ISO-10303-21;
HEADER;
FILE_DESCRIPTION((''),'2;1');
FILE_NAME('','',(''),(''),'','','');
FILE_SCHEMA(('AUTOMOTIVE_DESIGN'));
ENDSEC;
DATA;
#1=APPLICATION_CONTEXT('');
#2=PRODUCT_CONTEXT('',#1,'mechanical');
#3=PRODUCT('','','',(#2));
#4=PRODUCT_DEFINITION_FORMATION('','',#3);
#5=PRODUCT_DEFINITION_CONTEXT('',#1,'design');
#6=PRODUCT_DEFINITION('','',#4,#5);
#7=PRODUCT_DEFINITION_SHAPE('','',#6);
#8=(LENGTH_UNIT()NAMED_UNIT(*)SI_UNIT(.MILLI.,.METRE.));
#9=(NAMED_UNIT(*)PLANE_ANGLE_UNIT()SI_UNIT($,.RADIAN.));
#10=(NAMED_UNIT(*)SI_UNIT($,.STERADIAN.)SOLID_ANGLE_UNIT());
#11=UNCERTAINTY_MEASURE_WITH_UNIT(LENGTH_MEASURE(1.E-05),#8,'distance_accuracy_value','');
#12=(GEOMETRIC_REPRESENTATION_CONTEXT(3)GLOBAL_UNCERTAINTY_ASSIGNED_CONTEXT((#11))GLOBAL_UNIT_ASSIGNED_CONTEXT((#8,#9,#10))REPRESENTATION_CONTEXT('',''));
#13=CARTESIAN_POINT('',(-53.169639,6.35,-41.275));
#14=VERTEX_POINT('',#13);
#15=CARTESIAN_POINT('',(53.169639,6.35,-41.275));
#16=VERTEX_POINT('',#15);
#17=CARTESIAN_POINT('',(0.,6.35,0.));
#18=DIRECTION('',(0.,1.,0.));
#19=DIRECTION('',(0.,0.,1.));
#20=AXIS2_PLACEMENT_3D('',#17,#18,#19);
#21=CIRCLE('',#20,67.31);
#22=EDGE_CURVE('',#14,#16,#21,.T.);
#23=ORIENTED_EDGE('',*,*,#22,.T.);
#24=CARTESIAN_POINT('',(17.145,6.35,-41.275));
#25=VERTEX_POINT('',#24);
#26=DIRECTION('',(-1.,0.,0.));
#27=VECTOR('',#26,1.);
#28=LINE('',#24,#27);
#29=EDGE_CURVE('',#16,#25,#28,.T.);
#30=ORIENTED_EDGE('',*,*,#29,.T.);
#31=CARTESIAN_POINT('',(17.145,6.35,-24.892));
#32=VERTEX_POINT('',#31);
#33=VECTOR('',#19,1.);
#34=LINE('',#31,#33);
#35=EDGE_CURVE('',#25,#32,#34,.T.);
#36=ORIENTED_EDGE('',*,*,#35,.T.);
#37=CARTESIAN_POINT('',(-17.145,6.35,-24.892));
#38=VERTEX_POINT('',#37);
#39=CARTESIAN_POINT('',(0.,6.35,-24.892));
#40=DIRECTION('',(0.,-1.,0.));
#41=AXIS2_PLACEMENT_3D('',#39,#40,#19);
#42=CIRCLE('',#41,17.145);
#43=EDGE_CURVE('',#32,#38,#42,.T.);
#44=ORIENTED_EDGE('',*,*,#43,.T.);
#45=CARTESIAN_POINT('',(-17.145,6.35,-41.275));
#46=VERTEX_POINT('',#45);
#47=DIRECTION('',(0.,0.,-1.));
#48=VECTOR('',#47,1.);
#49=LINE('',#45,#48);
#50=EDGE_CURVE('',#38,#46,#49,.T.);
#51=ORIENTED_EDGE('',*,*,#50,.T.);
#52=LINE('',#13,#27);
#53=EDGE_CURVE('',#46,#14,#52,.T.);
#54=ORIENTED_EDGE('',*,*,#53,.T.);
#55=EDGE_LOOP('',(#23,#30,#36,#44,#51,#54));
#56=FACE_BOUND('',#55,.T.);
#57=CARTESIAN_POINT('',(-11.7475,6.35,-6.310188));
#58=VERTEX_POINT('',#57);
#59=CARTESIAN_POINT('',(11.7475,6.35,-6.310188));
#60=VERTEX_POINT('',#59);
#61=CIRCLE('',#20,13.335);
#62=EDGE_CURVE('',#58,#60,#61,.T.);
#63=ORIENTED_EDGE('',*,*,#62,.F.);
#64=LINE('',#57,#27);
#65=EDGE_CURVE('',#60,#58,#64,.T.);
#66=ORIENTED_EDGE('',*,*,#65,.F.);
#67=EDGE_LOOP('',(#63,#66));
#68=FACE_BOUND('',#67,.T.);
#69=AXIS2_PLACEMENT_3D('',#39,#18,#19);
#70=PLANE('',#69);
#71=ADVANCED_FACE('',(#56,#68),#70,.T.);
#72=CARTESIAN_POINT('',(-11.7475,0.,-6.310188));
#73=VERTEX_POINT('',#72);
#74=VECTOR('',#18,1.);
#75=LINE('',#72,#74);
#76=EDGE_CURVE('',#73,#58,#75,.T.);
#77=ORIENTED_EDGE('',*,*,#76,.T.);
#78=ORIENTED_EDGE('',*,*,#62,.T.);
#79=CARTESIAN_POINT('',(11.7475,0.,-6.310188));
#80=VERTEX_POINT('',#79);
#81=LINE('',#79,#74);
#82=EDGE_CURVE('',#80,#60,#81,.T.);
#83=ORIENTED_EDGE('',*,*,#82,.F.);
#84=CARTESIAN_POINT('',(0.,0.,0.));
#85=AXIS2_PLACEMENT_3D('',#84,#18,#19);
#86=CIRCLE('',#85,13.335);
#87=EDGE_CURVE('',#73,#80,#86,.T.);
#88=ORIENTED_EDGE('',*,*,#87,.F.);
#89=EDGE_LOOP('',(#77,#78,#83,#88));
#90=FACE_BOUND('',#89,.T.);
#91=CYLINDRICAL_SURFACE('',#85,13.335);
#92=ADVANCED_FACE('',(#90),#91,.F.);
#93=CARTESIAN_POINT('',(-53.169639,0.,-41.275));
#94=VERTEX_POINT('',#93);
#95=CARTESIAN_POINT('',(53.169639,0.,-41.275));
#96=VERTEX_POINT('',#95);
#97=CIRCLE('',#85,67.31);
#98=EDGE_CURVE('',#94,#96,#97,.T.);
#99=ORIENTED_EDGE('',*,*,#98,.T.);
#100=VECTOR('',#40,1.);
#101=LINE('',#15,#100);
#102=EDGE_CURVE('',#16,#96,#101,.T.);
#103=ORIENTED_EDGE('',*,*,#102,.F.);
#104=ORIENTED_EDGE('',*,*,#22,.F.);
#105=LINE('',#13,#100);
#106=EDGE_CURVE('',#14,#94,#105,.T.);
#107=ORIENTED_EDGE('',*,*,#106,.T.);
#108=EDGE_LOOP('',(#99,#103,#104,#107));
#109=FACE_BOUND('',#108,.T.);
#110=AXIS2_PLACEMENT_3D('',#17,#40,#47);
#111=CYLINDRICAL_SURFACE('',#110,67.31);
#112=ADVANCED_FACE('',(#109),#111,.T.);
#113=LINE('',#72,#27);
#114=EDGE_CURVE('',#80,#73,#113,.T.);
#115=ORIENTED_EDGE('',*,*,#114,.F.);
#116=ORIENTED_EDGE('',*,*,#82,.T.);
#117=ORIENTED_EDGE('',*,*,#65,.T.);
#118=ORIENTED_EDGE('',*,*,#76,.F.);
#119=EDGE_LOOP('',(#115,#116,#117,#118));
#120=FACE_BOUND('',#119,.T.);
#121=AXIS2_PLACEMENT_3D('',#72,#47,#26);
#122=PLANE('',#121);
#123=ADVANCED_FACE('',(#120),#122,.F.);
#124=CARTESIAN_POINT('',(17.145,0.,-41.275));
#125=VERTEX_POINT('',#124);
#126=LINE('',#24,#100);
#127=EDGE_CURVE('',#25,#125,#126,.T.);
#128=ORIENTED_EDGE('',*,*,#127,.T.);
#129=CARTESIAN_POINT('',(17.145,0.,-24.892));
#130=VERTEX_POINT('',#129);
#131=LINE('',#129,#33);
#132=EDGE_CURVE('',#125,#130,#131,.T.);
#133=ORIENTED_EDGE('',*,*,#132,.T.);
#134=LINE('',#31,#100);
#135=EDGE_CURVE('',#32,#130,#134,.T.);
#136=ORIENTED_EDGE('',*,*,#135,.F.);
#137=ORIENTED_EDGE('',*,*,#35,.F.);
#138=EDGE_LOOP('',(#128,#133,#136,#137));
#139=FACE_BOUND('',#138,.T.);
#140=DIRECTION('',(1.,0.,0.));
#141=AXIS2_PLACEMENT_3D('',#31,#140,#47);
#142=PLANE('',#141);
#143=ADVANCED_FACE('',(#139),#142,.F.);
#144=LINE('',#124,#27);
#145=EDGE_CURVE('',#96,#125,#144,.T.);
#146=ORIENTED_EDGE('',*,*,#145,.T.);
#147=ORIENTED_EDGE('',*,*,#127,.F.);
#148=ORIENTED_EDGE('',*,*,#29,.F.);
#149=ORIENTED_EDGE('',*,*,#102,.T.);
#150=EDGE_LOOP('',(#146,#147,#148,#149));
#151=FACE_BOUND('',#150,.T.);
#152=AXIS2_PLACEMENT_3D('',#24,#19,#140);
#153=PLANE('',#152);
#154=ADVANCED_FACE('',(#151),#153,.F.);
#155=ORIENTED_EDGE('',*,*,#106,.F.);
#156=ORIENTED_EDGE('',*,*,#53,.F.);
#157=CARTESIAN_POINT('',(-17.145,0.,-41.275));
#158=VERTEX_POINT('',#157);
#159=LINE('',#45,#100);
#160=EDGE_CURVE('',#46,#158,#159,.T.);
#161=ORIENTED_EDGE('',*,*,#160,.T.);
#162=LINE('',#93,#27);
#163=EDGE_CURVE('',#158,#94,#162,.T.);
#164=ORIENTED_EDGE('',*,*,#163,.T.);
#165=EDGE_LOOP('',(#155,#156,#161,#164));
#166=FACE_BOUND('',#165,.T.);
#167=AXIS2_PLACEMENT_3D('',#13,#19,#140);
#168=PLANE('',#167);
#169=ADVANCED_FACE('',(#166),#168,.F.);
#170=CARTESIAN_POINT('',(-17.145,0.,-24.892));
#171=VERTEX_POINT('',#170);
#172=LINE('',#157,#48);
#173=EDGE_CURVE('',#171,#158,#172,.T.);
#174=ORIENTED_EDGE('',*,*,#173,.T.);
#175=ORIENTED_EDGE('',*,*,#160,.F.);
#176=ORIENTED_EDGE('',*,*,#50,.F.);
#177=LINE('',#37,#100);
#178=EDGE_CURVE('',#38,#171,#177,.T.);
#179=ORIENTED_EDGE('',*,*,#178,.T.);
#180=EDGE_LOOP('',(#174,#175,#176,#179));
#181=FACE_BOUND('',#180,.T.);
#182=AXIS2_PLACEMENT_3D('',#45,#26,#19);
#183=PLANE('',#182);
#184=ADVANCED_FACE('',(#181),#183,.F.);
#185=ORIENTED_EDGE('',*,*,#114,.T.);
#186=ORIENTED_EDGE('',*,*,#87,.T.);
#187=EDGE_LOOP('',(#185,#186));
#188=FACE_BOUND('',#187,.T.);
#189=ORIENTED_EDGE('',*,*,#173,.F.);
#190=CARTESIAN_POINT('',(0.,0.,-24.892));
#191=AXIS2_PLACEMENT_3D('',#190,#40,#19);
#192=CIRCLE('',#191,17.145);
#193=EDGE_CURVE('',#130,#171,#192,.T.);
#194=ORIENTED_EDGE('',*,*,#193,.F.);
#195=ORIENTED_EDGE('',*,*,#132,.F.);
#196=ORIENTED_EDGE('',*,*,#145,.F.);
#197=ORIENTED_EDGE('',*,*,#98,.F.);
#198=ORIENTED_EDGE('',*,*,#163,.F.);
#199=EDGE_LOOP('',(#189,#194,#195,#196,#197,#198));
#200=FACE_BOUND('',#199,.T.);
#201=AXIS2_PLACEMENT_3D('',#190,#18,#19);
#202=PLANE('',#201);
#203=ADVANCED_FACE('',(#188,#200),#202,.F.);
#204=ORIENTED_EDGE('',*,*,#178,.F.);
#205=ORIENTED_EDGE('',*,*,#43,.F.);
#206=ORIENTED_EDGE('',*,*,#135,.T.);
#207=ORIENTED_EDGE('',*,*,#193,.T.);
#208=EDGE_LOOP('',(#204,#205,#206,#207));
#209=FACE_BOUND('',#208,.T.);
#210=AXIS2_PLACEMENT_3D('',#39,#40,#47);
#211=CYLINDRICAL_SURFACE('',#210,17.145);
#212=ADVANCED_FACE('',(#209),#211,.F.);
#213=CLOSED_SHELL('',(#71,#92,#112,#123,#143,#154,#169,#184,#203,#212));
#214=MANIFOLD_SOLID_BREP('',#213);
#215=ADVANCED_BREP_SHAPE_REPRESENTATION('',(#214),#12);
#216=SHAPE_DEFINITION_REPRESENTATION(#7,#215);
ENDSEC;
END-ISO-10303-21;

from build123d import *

# Parameters (mm, degrees)
BOSS_EXTRUDE1_DEPTH = 6.35
CUT_EXTRUDE1_DEPTH  = 96.402278275


with BuildPart() as part:
    # Sketch2 → Boss-Extrude1 (new body)
    with BuildSketch(Plane(origin=(0, 0, 0), x_dir=(1, 0, 0), z_dir=(0, 1, 0))):
        with BuildLine():
            Line((-53.169638658, 41.275), (-17.145, 41.275))
            Line((-17.145, 41.275), (-17.145, 24.892))
            ThreePointArc((-17.145, 24.892), (0, 7.747), (17.145, 24.892))
            Line((17.145, 24.892), (17.145, 41.275))
            Line((17.145, 41.275), (53.169638658, 41.275))
            ThreePointArc((53.169638658, 41.275), (0, -67.31), (-53.169638658, 41.275))
        make_face()
    extrude(amount=BOSS_EXTRUDE1_DEPTH)

    # Sketch3 → Cut-Extrude1 (cut, through all)
    with BuildSketch(Plane(origin=(0, 6.35, 0), x_dir=(1, 0, 0), z_dir=(0, 1, 0))):
        with BuildLine():
            Line((-11.7475, 6.310187695), (11.7475, 6.310187695))
            ThreePointArc((11.7475, 6.310187695), (0, -13.335), (-11.7475, 6.310187695))
        make_face()
    extrude(amount=-CUT_EXTRUDE1_DEPTH, mode=Mode.SUBTRACT)


solid = part.part
